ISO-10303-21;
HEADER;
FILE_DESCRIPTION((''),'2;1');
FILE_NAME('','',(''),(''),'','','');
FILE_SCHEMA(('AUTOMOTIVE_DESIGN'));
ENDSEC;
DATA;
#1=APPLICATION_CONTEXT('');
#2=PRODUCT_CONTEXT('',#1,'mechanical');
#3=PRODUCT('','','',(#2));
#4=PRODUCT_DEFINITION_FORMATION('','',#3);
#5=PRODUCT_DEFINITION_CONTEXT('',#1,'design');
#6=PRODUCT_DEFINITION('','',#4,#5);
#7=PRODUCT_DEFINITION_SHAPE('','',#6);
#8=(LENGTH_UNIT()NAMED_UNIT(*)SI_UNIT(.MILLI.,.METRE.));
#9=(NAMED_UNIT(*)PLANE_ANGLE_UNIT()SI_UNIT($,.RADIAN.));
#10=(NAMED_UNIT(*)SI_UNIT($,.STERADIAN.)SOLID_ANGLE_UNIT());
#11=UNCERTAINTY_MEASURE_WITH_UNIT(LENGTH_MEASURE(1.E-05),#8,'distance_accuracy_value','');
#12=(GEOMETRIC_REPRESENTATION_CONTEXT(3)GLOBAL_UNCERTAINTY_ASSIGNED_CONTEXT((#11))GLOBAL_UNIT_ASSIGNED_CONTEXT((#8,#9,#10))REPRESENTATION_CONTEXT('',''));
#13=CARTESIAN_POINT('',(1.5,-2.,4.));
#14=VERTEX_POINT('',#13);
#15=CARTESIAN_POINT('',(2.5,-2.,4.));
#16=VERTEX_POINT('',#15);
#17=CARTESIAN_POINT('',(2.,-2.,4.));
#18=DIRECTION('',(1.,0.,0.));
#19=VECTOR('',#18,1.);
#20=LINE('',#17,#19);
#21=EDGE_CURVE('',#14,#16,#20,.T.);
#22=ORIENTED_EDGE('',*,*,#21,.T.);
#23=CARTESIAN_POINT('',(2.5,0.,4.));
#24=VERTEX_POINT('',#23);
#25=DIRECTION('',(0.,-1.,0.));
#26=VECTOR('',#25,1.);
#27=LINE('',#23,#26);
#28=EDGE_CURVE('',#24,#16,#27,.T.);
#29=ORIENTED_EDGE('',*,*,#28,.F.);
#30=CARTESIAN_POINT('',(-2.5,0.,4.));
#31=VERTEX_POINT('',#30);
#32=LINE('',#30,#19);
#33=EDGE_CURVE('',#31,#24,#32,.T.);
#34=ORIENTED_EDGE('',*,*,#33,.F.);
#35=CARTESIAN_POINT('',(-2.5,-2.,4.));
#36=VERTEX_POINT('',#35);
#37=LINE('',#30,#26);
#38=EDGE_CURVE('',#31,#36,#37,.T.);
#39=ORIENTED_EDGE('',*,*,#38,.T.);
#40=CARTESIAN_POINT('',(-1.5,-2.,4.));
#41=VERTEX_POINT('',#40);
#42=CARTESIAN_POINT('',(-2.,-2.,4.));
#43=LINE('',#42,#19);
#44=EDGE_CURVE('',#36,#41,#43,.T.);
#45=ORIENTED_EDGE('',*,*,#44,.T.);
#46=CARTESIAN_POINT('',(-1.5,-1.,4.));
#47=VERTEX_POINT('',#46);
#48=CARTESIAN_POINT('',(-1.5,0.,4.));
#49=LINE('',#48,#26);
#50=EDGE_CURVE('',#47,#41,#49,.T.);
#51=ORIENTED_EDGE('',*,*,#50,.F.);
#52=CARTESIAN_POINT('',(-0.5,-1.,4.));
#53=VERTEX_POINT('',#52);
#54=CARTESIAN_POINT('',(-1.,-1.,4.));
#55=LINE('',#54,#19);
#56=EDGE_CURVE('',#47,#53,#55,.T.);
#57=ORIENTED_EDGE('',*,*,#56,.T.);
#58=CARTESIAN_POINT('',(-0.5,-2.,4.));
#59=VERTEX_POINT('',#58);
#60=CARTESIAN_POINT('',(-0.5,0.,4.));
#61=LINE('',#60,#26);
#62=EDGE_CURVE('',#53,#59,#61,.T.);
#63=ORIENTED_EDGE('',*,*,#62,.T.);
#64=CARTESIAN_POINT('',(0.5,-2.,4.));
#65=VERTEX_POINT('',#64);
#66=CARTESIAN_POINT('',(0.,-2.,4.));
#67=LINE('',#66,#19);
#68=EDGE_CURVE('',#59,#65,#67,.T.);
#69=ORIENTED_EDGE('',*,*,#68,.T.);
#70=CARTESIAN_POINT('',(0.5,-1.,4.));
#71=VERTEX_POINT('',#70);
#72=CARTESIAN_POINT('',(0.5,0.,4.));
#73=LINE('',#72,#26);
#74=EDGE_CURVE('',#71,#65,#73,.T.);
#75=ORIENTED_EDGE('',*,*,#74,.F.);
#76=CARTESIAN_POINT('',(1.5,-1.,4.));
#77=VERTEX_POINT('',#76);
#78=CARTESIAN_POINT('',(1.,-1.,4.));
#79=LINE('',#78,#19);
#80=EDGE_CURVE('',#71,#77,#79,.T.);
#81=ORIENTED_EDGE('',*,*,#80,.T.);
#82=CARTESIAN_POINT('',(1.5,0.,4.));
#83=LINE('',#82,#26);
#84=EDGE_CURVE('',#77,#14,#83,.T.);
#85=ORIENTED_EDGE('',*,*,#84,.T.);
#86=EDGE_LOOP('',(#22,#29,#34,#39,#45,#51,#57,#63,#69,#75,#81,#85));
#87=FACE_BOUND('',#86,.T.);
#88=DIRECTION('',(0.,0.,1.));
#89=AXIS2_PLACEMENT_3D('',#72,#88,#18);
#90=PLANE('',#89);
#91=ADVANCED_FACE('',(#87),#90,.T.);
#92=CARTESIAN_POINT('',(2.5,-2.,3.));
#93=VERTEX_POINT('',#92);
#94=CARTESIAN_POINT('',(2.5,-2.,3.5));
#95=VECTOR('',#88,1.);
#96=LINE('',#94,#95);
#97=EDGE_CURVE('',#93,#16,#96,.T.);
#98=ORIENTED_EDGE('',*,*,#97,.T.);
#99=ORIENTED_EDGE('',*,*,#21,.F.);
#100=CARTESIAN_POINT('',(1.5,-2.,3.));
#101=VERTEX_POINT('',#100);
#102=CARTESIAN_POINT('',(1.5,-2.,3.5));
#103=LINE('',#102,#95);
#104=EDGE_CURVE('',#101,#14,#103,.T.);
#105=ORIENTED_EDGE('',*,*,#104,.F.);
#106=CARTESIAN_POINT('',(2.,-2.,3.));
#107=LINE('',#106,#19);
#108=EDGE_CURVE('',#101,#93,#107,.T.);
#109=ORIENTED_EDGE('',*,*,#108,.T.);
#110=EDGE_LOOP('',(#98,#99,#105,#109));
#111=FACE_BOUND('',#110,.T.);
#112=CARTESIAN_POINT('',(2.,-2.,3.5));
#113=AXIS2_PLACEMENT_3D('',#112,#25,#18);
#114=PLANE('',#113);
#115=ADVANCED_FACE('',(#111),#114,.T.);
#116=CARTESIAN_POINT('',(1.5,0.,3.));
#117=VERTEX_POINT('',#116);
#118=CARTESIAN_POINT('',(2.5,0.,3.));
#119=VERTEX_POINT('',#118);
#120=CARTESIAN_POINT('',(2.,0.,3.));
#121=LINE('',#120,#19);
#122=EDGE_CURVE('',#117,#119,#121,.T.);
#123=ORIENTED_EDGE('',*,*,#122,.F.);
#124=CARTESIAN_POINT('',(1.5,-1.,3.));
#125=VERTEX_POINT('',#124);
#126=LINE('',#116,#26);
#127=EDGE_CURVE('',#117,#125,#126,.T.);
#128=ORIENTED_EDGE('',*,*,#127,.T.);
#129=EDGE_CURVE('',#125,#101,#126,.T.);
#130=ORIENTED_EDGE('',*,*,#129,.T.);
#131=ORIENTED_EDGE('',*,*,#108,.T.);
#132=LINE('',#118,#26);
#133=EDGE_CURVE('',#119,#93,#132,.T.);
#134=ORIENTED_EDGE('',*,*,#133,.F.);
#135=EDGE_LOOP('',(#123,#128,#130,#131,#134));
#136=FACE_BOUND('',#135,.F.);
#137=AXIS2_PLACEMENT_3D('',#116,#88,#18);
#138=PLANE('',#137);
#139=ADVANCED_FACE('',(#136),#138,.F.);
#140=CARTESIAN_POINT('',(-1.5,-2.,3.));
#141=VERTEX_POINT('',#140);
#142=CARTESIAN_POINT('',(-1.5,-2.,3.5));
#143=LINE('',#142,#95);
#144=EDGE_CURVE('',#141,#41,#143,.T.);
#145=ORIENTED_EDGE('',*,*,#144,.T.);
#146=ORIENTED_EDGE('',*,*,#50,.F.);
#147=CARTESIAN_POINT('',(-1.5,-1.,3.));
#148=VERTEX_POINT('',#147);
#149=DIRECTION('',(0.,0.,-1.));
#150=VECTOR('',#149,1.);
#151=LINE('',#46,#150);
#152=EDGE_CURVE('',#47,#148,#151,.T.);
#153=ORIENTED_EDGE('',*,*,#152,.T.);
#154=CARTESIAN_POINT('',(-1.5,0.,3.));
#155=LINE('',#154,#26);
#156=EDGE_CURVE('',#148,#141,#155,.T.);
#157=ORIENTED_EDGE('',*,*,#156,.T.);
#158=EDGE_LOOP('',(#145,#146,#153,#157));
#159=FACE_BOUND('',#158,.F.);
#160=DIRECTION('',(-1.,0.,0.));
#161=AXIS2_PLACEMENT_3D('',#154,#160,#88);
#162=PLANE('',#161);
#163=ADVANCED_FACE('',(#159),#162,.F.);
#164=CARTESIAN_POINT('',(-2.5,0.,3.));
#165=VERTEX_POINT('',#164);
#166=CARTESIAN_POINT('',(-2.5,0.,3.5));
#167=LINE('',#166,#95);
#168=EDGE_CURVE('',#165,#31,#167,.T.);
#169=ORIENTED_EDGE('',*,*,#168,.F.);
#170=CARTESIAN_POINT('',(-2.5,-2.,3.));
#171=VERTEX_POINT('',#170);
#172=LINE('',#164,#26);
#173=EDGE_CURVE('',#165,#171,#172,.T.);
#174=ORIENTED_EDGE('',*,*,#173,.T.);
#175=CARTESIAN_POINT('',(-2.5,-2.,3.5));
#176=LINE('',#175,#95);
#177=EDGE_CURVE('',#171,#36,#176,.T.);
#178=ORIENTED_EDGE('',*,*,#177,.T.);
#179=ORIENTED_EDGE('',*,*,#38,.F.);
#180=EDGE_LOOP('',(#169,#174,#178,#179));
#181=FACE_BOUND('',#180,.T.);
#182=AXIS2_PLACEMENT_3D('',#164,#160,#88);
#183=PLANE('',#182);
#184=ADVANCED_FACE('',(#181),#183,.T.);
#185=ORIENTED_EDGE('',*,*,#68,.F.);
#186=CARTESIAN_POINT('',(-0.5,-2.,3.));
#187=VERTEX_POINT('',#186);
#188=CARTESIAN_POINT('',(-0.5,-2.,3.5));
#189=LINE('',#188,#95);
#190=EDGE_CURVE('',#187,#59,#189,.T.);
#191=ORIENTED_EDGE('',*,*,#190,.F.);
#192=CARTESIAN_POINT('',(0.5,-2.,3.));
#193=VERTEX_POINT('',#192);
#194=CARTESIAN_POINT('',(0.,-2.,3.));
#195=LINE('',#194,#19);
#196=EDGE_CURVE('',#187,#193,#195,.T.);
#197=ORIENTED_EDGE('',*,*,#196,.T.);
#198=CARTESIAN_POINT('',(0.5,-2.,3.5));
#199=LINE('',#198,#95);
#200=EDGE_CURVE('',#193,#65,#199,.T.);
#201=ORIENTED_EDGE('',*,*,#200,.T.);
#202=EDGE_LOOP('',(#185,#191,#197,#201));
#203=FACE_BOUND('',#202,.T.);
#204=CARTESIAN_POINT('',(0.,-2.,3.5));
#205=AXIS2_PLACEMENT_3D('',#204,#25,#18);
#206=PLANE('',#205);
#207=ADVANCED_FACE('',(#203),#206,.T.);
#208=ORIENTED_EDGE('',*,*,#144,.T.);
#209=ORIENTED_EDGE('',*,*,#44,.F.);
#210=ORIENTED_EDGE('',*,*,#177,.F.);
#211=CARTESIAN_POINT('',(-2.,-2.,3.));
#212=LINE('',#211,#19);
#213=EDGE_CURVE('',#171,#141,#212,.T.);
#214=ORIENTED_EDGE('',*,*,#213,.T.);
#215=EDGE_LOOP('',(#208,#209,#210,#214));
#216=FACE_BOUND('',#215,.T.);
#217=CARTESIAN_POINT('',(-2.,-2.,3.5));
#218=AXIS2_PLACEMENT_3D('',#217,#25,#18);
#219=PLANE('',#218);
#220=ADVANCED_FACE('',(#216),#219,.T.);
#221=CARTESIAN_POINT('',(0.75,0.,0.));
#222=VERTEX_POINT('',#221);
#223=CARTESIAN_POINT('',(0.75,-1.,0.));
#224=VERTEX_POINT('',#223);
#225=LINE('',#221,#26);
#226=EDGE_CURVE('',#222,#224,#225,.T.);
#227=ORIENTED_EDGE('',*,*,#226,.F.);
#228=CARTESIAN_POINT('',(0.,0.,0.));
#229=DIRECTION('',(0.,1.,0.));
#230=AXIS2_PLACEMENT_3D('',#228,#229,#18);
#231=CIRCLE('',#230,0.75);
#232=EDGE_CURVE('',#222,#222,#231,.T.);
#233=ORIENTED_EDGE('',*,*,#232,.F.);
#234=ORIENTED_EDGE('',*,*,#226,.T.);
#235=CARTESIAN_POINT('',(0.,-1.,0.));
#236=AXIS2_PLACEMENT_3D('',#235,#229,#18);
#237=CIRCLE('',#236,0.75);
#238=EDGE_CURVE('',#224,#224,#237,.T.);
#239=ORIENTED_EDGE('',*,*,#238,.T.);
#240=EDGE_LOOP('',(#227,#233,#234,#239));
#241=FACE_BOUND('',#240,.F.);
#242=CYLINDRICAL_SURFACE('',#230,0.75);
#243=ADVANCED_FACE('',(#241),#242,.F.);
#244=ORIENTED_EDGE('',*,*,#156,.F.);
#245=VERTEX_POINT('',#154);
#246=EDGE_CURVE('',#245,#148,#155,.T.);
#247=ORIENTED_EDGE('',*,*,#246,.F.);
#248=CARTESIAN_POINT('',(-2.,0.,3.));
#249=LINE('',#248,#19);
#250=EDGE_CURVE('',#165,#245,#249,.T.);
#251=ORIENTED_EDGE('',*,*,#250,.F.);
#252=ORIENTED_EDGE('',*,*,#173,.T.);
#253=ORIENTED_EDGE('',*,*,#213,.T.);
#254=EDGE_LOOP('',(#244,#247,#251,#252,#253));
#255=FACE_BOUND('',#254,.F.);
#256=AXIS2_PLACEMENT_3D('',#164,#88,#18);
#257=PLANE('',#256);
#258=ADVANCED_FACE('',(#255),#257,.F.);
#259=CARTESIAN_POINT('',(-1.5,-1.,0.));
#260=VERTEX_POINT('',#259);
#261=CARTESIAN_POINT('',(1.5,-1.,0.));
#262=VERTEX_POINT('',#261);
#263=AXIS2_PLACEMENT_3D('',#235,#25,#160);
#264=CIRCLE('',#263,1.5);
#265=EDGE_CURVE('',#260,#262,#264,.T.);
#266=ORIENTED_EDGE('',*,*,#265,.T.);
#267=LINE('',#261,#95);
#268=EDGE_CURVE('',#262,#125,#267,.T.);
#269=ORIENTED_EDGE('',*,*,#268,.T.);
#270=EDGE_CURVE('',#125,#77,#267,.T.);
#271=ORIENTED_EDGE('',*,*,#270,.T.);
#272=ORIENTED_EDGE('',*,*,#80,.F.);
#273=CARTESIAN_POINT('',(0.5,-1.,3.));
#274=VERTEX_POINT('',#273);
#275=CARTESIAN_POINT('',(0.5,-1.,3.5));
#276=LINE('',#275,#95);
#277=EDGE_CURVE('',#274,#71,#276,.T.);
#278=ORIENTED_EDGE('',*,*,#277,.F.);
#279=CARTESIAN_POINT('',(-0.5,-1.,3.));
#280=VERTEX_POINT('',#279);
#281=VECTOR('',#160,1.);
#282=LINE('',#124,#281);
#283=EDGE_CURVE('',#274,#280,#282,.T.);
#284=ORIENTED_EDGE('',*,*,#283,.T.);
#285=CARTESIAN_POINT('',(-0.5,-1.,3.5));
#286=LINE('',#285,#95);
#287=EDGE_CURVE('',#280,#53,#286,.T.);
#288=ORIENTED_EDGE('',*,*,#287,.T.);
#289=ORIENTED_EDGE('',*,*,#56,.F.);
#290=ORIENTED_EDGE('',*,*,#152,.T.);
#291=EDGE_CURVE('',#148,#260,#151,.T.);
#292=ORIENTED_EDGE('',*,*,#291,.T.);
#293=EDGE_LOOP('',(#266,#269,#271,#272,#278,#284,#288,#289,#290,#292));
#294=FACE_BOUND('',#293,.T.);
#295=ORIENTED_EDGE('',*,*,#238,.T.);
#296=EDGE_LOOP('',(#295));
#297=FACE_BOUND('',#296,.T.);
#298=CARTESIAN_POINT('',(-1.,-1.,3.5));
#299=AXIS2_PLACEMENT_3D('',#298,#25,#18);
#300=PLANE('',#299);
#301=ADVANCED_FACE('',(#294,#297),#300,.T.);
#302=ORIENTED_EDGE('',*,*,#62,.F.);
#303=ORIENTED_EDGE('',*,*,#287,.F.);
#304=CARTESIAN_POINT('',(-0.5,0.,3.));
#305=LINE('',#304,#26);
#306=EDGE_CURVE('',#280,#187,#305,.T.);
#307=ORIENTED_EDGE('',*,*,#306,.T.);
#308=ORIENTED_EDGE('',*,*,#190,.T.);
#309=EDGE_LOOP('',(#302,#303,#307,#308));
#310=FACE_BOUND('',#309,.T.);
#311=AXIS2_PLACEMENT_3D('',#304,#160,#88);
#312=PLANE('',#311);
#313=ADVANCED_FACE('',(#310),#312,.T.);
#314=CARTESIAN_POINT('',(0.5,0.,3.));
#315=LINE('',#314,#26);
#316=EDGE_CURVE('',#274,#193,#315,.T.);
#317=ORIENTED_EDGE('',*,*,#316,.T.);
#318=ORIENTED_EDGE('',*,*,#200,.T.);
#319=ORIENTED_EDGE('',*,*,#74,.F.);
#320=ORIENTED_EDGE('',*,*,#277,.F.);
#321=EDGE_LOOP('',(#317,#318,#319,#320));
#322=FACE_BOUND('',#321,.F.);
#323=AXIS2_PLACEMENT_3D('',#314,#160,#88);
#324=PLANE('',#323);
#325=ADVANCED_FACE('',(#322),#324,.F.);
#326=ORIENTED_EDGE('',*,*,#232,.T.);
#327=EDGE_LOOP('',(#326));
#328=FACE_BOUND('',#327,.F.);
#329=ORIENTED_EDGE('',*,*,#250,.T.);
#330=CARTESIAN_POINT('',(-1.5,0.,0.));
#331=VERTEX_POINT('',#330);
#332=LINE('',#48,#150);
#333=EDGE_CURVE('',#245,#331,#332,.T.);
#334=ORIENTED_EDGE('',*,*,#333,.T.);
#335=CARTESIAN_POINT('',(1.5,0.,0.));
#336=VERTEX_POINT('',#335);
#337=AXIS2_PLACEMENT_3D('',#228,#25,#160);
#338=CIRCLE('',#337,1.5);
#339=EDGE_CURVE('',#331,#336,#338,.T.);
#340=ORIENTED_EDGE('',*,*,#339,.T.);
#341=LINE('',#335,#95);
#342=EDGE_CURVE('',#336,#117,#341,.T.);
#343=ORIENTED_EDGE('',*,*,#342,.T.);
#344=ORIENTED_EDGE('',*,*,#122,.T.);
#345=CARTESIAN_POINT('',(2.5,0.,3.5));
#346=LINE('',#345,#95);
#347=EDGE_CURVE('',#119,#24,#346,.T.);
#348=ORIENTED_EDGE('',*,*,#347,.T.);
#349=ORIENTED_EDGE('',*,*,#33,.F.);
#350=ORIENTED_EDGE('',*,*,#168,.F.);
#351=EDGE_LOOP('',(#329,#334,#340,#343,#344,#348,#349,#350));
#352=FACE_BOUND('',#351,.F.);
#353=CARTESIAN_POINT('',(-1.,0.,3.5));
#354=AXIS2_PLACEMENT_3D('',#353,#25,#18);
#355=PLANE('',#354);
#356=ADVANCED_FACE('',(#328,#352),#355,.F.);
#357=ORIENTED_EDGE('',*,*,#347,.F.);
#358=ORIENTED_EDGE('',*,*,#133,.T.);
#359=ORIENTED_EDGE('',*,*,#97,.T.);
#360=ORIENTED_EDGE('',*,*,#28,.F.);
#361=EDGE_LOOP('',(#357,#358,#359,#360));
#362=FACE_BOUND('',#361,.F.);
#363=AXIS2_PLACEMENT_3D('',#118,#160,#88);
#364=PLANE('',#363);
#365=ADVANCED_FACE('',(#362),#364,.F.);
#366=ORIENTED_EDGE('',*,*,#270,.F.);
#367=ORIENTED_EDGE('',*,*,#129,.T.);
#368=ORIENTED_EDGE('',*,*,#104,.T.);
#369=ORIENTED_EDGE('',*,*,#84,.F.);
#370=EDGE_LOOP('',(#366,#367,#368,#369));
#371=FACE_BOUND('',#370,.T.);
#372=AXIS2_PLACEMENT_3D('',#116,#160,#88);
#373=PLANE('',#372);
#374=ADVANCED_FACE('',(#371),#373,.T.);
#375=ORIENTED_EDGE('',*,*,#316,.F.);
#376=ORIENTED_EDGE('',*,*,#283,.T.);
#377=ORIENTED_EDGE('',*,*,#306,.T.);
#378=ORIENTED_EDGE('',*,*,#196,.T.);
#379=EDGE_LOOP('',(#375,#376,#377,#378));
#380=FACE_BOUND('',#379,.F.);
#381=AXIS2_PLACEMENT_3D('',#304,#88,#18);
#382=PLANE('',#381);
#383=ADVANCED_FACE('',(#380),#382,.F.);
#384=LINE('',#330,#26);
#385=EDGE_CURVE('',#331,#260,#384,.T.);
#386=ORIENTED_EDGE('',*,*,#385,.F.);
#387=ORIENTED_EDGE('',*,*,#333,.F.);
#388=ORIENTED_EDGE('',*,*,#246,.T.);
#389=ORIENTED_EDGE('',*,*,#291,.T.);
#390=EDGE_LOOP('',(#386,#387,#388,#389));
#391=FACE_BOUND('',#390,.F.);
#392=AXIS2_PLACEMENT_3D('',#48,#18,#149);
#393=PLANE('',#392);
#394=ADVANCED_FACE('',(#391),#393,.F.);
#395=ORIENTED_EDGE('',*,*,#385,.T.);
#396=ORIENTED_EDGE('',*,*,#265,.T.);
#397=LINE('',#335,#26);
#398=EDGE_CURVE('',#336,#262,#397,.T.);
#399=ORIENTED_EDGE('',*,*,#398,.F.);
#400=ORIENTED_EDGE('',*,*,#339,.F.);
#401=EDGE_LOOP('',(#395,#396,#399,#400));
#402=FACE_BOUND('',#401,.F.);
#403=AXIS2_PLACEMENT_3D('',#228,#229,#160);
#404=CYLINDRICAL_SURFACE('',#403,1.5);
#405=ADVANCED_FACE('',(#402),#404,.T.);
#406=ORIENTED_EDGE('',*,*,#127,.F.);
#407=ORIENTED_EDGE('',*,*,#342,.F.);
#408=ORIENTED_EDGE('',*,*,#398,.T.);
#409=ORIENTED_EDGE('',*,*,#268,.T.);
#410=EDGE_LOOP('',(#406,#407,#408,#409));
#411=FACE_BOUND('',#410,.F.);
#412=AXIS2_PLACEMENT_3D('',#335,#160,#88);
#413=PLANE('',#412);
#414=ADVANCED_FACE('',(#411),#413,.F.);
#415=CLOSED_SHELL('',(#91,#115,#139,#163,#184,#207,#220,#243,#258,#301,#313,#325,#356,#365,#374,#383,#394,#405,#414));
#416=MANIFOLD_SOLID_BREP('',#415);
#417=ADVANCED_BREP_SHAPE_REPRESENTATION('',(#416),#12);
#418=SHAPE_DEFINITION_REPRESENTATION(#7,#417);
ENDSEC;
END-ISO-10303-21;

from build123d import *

# Parameters (mm, degrees)
F0_W     = 1
F0_H     = 1
F1_DEPTH = 2
F2_DEPTH = 1


with BuildPart() as f1:
    # F0 (on Front) → F1 (new body)
    with BuildSketch(Plane.XZ):
        with Locations((-2, 3.5)):
            Rectangle(F0_W, F0_H)
    extrude(amount=F1_DEPTH)



with BuildPart() as f1b:
    # F0 (on Front) → F1, piece 2 (new body)
    with BuildSketch(Plane.XZ):
        with Locations((0, 3.5)):
            Rectangle(F0_W, F0_H)
    extrude(amount=F1_DEPTH)


with BuildPart() as f1c:
    # F0 (on Front) → F1, piece 3 (new body)
    with BuildSketch(Plane.XZ):
        with Locations((2, 3.5)):
            Rectangle(F0_W, F0_H)
    extrude(amount=F1_DEPTH)


with BuildPart() as f1_1:
    add(f1.part)

    add(f1b.part)  # F2 merges F1b

    add(f1c.part)  # F2 merges F1c
    # F0 (on Front) → F2 (join)
    with BuildSketch(Plane.XZ):
        with Locations((-1, 3.5)):
            Rectangle(F0_W, F0_H)
        with Locations((1, 3.5)):
            Rectangle(F0_W, F0_H)
        with BuildLine():
            ThreePointArc((-1.5, 0), (0, 1.5), (1.5, 0))
            Line((1.5, 0), (1.5, 3))
            Line((1.5, 3), (0.5, 3))
            Line((0.5, 3), (-0.5, 3))
            Line((-0.5, 3), (-1.5, 3))
            Line((-1.5, 3), (-1.5, 0))
        make_face()
        with BuildLine():
            Line((1.5, 0), (0.75, 0))
            ThreePointArc((0.75, 0), (0, -0.75), (-0.75, 0))
            Line((-0.75, 0), (-1.5, 0))
            ThreePointArc((-1.5, 0), (0, -1.5), (1.5, 0))
        make_face()
        with BuildLine():
            ThreePointArc((-0.75, 0), (0, 0.75), (0.75, 0))
            Line((0.75, 0), (1.5, 0))
            ThreePointArc((1.5, 0), (0, 1.5), (-1.5, 0))
            Line((-1.5, 0), (-0.75, 0))
        make_face()
    extrude(amount=F2_DEPTH)


solid = f1_1.part
